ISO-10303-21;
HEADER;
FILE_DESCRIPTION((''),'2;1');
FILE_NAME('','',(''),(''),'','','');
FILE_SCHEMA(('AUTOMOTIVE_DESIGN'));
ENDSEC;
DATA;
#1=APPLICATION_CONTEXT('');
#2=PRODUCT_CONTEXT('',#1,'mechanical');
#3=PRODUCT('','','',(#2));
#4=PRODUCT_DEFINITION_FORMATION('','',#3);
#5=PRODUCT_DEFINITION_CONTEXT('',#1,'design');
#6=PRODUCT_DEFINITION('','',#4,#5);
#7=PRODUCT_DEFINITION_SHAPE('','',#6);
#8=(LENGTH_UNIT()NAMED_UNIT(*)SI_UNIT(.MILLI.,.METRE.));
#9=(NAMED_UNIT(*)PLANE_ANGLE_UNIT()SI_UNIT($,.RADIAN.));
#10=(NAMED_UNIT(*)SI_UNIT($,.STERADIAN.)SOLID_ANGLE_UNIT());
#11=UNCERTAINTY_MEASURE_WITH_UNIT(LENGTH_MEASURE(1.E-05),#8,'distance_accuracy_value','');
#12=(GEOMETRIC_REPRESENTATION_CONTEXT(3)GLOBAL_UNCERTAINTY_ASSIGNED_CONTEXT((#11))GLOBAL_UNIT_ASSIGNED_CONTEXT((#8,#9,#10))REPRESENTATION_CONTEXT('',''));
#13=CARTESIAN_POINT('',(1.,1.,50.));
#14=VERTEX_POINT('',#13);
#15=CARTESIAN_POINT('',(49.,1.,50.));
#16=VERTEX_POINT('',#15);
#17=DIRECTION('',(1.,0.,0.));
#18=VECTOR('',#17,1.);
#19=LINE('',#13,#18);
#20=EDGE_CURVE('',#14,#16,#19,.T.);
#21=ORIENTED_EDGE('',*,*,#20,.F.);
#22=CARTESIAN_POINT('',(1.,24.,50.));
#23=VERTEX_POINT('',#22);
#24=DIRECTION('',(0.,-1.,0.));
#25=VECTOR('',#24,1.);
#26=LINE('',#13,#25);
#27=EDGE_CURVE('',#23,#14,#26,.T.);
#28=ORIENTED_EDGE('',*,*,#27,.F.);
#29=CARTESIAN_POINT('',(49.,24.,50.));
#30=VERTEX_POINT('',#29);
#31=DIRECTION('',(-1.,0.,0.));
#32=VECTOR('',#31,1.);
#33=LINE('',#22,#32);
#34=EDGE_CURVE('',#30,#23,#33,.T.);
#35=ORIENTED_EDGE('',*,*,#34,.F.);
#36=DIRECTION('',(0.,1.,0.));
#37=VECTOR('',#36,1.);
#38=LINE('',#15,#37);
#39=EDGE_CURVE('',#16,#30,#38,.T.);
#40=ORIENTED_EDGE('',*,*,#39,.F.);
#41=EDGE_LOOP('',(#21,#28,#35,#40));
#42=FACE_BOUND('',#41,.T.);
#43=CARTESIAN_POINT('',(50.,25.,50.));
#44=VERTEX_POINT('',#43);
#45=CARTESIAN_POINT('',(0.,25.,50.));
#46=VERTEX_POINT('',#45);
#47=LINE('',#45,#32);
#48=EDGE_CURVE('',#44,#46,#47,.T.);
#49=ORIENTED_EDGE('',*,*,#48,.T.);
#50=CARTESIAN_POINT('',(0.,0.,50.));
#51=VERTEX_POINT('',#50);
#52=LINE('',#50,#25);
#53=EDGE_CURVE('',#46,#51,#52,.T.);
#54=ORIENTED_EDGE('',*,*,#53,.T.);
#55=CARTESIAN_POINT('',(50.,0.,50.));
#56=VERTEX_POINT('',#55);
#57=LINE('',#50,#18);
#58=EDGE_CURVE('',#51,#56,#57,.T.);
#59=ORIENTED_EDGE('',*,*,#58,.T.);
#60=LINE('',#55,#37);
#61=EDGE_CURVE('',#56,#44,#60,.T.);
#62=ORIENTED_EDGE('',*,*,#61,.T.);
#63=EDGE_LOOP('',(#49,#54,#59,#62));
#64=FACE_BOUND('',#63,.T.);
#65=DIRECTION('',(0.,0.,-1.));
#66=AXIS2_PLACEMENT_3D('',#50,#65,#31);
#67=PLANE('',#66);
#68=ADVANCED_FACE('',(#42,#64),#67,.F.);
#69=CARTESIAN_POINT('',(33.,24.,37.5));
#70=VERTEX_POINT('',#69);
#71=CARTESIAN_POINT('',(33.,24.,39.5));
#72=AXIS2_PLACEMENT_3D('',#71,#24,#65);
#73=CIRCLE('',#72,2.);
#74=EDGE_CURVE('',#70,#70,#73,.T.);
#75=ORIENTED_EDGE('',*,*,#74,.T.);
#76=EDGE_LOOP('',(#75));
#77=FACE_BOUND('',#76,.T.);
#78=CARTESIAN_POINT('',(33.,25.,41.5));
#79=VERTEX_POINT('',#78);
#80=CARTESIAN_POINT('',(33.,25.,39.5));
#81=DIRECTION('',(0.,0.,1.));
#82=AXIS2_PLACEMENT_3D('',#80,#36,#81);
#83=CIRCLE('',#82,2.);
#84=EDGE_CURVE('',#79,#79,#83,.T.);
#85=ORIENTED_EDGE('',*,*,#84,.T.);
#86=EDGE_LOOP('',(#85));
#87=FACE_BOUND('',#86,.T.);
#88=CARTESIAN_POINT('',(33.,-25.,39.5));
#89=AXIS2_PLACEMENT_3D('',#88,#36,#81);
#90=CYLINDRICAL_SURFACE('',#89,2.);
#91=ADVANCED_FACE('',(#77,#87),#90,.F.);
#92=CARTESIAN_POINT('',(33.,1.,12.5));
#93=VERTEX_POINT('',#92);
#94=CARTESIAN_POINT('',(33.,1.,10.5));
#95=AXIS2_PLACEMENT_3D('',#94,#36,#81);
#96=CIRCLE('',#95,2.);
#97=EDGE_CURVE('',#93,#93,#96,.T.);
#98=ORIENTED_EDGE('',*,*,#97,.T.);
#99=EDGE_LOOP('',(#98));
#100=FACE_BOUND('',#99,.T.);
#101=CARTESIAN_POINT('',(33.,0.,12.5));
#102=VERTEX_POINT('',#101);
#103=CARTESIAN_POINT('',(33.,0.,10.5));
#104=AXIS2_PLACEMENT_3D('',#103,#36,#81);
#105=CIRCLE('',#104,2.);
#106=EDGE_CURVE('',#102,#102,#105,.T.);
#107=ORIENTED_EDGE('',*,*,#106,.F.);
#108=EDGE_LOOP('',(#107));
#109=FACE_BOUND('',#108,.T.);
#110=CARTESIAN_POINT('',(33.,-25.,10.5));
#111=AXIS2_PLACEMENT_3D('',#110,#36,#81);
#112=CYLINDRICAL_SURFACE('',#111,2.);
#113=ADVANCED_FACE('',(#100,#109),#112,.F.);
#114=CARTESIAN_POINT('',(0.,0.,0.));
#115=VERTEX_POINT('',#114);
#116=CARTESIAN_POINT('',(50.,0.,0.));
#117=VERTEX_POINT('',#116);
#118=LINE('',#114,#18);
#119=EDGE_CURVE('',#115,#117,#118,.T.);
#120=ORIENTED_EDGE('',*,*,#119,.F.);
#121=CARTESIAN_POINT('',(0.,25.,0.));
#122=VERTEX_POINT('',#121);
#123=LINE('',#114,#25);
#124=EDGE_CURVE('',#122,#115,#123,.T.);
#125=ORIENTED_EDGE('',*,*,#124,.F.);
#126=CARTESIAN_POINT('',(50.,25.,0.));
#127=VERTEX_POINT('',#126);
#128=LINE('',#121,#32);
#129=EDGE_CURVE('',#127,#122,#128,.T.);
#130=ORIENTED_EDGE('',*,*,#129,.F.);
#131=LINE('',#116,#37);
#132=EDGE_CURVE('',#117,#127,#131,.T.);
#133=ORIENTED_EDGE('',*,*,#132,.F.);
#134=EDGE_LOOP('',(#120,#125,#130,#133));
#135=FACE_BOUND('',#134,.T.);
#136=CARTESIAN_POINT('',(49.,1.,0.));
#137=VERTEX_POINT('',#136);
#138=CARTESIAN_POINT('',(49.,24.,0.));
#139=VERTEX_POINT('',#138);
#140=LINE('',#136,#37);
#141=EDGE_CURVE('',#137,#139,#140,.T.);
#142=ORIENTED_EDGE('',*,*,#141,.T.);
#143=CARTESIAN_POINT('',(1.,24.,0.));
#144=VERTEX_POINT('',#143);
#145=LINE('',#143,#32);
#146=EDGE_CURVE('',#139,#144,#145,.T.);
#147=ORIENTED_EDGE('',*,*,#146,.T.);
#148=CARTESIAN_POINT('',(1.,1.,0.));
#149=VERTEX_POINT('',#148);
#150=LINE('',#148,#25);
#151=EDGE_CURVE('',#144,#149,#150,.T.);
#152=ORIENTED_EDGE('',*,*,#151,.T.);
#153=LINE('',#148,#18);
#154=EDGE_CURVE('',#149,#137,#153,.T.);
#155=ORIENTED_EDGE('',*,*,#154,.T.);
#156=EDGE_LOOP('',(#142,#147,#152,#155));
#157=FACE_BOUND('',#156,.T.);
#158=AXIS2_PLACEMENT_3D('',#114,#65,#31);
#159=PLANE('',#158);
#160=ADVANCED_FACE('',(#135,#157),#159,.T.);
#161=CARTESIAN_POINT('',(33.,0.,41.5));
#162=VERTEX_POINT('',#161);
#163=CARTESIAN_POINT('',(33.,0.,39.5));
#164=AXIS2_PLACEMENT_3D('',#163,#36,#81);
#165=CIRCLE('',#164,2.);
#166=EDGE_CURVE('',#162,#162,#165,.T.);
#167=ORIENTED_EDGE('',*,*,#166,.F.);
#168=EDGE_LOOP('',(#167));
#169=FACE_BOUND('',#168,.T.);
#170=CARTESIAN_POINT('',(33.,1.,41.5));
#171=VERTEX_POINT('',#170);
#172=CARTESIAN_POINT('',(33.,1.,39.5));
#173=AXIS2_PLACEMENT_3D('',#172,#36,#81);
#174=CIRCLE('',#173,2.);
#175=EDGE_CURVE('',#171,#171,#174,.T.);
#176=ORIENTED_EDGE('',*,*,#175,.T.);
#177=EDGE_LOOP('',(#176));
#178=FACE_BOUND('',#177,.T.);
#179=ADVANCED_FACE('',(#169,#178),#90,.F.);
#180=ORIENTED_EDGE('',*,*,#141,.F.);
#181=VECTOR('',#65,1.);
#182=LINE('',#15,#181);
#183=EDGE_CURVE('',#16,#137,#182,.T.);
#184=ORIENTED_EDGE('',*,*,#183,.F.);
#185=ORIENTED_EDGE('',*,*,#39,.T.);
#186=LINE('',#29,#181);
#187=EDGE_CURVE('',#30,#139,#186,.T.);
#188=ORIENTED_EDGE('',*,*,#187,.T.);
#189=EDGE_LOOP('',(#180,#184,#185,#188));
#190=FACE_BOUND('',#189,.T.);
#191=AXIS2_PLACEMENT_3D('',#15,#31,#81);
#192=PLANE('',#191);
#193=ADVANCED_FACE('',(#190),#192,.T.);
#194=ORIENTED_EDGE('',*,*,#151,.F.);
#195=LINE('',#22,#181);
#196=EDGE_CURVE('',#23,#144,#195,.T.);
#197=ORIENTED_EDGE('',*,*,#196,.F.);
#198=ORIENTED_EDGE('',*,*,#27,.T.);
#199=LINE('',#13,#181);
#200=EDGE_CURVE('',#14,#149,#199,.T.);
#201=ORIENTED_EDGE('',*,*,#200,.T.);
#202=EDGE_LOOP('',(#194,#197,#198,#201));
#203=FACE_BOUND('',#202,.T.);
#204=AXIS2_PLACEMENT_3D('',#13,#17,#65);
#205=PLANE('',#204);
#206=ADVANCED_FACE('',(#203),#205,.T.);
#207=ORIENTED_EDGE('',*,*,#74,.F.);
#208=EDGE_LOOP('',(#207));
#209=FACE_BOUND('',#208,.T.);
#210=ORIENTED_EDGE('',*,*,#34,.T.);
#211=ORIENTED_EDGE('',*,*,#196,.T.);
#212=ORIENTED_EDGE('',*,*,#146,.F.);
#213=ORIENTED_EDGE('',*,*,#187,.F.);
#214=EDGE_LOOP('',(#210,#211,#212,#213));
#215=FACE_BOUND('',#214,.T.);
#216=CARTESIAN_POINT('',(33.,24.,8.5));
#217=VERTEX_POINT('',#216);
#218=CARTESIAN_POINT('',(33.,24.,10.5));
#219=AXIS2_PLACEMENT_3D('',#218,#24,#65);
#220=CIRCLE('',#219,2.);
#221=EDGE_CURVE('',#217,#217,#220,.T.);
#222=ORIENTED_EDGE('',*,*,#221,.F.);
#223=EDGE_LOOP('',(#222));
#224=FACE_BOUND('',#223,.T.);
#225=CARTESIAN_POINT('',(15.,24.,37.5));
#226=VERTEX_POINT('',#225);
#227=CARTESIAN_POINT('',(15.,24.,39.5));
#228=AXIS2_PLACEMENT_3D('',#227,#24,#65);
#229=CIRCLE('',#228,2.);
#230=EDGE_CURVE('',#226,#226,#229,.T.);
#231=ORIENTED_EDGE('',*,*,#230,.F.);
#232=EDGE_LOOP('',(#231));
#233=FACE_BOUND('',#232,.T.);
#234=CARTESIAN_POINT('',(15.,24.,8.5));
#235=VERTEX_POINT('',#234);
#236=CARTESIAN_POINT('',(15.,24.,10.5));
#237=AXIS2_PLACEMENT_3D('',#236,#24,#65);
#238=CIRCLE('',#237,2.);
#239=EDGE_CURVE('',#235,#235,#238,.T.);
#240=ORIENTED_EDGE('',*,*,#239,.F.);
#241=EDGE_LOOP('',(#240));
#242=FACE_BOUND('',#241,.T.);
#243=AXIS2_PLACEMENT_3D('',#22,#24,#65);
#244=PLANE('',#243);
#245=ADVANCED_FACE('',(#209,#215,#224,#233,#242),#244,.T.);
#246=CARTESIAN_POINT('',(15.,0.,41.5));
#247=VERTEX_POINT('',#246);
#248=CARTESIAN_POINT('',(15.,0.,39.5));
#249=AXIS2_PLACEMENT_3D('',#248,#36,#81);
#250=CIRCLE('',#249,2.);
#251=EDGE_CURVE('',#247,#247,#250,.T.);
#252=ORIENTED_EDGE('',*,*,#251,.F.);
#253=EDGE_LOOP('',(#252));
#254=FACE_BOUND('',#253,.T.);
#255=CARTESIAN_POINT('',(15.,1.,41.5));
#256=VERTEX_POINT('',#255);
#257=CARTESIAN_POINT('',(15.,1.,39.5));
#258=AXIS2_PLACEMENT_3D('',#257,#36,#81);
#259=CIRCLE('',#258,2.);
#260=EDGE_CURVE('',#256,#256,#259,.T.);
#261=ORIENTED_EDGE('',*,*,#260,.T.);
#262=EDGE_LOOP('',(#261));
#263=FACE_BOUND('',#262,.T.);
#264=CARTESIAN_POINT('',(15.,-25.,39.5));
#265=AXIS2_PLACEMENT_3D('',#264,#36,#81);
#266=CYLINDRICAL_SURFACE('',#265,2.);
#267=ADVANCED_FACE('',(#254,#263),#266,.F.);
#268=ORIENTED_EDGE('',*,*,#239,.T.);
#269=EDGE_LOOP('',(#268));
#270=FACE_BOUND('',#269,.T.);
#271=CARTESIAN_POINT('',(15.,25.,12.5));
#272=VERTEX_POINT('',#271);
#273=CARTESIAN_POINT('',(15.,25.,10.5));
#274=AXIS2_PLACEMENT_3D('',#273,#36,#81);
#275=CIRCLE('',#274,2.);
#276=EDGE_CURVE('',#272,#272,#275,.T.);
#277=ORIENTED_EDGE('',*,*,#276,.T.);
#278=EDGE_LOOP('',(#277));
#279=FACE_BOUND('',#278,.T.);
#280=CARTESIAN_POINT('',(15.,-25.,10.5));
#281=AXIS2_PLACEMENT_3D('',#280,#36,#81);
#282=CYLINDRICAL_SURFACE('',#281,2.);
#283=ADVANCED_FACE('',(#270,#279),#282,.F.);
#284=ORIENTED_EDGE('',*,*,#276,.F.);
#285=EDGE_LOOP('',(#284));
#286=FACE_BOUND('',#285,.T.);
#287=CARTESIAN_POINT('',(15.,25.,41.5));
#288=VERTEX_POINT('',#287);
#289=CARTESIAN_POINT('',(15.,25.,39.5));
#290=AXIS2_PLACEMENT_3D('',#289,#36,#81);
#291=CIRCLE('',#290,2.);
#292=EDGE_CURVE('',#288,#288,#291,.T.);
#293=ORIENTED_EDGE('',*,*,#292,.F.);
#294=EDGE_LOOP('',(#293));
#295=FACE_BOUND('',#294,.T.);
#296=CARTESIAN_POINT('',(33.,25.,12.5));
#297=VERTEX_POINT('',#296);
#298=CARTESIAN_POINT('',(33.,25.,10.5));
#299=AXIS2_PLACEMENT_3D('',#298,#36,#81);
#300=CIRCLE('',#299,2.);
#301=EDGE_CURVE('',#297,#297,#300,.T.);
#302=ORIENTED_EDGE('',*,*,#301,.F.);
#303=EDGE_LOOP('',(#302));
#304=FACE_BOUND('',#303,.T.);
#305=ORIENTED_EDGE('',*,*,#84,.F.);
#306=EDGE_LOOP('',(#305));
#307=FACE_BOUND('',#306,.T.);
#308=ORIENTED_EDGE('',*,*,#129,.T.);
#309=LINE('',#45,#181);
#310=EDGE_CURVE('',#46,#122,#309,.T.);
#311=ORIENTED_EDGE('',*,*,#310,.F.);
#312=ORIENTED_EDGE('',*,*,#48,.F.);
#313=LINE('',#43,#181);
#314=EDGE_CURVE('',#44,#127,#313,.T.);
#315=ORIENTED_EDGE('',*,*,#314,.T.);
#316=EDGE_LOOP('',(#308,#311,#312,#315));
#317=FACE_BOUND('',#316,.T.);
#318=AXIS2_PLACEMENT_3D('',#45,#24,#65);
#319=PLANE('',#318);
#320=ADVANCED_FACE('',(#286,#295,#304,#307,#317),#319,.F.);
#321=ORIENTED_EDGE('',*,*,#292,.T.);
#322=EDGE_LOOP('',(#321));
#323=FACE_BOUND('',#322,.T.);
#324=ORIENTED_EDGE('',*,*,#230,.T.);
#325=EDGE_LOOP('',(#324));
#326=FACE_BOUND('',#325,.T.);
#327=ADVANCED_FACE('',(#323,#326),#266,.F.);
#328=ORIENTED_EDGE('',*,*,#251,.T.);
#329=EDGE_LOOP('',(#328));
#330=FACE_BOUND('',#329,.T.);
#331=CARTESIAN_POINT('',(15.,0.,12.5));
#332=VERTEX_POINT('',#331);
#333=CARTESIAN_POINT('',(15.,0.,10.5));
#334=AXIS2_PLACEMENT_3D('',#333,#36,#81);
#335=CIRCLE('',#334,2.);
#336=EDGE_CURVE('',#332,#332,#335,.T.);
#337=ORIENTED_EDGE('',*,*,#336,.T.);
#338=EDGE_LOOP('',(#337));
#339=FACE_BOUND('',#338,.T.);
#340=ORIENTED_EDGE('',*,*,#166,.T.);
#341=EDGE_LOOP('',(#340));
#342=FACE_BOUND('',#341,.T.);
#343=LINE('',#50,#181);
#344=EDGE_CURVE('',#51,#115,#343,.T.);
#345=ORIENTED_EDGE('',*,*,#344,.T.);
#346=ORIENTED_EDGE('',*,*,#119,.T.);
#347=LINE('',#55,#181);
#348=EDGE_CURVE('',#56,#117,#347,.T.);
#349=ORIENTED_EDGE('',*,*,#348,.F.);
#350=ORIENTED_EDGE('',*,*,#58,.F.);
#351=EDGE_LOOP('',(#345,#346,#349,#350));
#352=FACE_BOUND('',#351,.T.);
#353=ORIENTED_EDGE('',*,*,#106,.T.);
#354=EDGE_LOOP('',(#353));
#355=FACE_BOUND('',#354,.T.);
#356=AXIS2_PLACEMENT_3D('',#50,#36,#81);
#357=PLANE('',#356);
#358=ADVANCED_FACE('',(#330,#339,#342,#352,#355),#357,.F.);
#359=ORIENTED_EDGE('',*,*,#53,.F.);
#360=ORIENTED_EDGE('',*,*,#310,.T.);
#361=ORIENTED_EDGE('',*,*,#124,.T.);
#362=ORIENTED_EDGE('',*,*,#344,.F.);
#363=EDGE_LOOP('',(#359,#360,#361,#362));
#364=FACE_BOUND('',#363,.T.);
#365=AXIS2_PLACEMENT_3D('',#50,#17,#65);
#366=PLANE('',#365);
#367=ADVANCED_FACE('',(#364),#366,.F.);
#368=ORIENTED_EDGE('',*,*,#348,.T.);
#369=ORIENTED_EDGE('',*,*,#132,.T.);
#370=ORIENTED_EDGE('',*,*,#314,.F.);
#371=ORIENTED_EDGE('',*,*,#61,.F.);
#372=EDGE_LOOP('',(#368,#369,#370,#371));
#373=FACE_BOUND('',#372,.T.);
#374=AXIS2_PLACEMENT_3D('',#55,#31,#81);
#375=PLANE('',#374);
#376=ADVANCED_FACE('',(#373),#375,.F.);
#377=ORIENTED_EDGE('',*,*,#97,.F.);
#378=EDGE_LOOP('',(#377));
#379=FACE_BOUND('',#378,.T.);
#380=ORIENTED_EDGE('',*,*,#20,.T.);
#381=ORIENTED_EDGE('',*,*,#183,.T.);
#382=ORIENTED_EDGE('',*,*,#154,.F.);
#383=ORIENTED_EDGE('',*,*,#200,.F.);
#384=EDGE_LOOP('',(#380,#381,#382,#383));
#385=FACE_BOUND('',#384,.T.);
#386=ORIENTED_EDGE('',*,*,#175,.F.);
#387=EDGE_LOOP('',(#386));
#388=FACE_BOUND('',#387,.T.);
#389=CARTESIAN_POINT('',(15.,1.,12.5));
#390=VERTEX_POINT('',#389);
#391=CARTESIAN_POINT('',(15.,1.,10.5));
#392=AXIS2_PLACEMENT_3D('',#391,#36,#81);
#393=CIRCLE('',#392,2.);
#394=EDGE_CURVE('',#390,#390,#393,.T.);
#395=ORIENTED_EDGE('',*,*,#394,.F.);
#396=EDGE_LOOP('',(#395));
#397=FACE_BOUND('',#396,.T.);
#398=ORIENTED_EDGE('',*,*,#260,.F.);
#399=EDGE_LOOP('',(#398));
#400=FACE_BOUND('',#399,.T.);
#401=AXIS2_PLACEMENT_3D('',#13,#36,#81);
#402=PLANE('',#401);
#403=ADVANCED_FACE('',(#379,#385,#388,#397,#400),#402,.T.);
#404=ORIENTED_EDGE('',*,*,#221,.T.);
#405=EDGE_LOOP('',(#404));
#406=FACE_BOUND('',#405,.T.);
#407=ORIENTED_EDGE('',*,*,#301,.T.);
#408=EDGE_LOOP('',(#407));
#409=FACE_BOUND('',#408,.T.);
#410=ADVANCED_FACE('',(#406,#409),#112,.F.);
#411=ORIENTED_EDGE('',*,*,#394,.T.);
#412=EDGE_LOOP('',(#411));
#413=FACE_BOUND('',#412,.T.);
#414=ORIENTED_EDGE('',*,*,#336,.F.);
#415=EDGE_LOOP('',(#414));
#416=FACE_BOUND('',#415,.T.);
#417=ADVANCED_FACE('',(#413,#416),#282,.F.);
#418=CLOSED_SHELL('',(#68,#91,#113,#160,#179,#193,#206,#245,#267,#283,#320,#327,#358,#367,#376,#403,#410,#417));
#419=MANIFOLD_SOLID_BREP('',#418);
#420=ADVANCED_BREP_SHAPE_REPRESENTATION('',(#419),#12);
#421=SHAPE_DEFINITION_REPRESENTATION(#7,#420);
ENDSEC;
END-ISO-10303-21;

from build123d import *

# Parameters (mm, degrees)
SKETCH_1_W          = 50
SKETCH_1_H          = 25
SKETCH_1_W_2        = 48
SKETCH_1_H_2        = 23
EXTRUDE_1_DEPTH     = 50
SKETCH_2_R          = 2
CUT_EXTRUDE_1_DEPTH = 50


with BuildPart() as part:
    # 草图1 → 凸台-拉伸1 (new body)
    with BuildSketch(Plane.XY):
        with Locations((25, 12.5)):
            Rectangle(SKETCH_1_W, SKETCH_1_H)
        with Locations((25, 12.5)):
            Rectangle(SKETCH_1_W_2, SKETCH_1_H_2, mode=Mode.SUBTRACT)
    extrude(amount=EXTRUDE_1_DEPTH)

    # 草图2 → 切除-拉伸1 (cut)
    with BuildSketch(Plane(origin=(0, 25, 0), x_dir=(1, 0, 0), z_dir=(0, 1, 0))):
        with Locations(Location((15, -10.5, 0), (0, 0, 270))):
            Circle(SKETCH_2_R)
        with Locations(Location((33, -10.5, 0), (0, 0, 270))):
            Circle(SKETCH_2_R)
        with Locations(Location((33, -39.5, 0), (0, 0, 270))):
            Circle(SKETCH_2_R)
        with Locations(Location((15, -39.5, 0), (0, 0, 270))):
            Circle(SKETCH_2_R)
    extrude(amount=-CUT_EXTRUDE_1_DEPTH, mode=Mode.SUBTRACT)


solid = part.part
